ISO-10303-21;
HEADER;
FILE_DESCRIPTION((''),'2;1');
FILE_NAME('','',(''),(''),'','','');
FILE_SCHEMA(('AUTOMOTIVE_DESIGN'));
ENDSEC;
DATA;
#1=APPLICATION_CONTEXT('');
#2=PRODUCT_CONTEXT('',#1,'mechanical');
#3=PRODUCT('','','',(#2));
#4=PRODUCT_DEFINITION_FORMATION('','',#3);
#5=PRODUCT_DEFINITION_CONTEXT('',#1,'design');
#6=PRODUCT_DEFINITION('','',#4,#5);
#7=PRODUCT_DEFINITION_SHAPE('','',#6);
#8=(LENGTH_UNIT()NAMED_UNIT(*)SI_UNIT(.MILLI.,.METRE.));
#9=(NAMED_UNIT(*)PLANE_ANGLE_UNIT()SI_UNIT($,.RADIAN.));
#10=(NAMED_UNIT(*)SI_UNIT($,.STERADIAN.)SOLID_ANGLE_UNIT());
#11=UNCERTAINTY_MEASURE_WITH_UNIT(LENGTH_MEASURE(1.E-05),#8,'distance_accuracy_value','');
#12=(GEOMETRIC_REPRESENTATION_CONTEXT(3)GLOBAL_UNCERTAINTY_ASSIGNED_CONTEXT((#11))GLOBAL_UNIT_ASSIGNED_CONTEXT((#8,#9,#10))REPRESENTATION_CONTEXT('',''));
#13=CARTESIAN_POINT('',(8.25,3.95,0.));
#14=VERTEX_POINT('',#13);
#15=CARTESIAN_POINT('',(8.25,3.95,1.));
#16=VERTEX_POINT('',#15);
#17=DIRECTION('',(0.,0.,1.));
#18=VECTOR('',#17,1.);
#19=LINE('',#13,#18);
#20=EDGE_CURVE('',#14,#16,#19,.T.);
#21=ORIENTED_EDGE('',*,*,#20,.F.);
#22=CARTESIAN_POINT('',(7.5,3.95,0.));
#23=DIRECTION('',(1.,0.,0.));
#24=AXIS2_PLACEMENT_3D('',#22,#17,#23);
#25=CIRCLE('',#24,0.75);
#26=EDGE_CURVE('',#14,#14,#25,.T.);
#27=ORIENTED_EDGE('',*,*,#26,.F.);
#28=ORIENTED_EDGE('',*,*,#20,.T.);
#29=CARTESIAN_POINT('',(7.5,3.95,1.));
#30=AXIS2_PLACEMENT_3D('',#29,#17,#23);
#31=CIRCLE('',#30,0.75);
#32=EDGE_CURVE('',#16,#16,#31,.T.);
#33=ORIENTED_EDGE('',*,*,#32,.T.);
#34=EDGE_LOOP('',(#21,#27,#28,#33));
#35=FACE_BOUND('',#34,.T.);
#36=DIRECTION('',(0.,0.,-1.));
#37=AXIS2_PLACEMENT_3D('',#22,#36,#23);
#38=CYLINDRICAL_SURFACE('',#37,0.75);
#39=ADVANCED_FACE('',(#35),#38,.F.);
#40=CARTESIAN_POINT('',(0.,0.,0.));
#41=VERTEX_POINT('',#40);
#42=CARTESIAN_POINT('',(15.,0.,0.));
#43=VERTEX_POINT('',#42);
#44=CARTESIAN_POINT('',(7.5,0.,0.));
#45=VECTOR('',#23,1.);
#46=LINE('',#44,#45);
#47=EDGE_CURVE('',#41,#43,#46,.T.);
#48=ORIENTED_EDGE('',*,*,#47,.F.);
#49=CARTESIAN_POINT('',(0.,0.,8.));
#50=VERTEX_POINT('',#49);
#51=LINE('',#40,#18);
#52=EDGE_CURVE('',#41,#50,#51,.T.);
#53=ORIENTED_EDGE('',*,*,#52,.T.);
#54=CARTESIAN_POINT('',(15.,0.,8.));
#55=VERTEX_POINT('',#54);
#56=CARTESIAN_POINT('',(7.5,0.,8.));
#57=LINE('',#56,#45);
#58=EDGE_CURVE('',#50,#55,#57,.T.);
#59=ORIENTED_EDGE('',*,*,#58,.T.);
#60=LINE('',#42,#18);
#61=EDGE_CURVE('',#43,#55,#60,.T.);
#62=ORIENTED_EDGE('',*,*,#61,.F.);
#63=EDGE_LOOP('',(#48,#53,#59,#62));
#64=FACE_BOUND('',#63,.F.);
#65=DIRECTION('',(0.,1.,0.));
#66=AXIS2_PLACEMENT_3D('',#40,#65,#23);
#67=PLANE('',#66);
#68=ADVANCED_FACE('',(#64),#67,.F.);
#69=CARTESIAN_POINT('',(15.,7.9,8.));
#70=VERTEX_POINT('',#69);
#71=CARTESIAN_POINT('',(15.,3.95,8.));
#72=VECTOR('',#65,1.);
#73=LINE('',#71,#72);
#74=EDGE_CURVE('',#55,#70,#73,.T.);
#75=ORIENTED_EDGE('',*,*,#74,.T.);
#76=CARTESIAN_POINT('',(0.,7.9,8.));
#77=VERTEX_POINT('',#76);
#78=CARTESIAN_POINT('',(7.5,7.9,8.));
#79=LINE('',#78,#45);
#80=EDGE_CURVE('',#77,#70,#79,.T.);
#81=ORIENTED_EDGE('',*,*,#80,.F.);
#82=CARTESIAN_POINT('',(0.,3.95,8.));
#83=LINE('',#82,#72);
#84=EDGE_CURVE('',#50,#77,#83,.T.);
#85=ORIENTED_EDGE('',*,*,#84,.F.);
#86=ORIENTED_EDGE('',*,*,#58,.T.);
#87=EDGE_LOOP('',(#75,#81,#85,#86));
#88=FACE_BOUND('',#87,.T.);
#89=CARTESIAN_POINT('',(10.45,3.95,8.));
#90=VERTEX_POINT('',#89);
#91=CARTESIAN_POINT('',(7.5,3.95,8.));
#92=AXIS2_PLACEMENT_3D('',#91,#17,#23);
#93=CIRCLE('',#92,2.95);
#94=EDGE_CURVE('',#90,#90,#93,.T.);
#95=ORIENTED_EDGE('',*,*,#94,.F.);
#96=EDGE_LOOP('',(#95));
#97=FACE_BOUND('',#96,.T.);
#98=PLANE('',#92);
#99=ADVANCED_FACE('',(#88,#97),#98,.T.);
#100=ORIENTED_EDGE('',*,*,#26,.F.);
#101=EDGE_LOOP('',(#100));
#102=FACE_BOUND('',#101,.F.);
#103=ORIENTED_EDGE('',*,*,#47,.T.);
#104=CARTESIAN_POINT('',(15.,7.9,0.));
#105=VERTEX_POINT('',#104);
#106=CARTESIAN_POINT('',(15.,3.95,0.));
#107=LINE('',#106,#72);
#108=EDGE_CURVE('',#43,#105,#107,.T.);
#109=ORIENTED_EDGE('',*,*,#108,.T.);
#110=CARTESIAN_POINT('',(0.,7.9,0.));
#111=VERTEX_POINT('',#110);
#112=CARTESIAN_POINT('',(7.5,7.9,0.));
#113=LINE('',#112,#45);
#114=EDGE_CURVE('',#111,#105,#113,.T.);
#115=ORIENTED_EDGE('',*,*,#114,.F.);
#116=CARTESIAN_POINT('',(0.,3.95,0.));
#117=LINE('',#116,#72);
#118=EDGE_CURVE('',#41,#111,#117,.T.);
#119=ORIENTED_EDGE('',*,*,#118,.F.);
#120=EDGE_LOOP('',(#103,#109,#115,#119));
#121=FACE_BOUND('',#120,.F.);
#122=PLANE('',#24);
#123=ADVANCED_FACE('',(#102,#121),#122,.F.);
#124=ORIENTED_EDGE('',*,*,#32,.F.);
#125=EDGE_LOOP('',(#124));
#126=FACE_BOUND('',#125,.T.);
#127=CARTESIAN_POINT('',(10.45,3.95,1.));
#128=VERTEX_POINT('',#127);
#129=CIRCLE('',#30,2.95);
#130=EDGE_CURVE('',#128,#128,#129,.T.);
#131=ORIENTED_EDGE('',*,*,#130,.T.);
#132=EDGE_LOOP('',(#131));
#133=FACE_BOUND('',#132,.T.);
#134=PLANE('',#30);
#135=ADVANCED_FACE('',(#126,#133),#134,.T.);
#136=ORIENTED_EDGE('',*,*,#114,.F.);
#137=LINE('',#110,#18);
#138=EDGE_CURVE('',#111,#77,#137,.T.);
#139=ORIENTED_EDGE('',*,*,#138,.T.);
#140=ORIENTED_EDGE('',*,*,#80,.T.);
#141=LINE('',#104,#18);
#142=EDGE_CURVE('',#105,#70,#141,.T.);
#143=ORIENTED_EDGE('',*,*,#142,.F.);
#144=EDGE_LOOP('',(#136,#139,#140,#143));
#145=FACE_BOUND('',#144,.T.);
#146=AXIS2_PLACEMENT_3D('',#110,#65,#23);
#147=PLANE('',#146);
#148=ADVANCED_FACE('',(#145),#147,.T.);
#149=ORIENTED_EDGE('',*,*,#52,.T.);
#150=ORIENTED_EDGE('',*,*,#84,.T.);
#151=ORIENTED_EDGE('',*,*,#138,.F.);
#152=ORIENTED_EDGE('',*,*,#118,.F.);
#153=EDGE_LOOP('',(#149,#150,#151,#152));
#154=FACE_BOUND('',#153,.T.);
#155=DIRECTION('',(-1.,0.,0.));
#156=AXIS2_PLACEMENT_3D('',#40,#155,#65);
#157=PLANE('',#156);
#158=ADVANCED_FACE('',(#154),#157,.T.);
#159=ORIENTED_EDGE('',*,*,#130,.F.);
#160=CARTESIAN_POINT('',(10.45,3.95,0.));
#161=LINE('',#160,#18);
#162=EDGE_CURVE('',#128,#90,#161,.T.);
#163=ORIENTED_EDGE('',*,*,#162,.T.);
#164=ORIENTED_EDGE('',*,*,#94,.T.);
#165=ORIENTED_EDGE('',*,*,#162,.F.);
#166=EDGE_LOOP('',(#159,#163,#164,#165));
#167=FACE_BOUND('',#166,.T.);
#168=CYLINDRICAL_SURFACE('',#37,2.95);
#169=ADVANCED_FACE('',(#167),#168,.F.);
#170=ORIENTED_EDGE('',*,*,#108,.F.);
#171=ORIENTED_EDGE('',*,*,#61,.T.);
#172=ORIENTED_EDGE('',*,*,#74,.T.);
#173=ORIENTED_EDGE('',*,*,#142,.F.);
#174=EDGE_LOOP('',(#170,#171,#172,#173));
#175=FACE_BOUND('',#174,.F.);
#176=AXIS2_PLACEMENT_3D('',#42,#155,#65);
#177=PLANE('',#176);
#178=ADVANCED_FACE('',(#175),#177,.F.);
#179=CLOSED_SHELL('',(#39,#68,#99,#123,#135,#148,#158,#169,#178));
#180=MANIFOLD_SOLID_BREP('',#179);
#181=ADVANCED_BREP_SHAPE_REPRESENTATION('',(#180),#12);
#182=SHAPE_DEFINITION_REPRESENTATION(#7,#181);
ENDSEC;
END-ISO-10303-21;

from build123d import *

# Parameters (mm, degrees)
F0_W     = 15
F0_H     = 7.9
F0_R     = 2.95
F1_DEPTH = 8
F0_R_2   = 0.75
F2_DEPTH = 1


with BuildPart() as f1:
    # F0 (on Top) → F1 (new body)
    with BuildSketch(Plane.XY):
        with Locations((7.5, 3.95)):
            Rectangle(F0_W, F0_H)
        with Locations((7.5, 3.95)):
            Circle(F0_R, mode=Mode.SUBTRACT)
    extrude(amount=F1_DEPTH)

    # F0 (on Top) → F2 (join)
    with BuildSketch(Plane.XY):
        with Locations((7.5, 3.95)):
            Circle(F0_R)
        with Locations((7.5, 3.95)):
            Circle(F0_R_2, mode=Mode.SUBTRACT)
    extrude(amount=F2_DEPTH)


solid = f1.part
